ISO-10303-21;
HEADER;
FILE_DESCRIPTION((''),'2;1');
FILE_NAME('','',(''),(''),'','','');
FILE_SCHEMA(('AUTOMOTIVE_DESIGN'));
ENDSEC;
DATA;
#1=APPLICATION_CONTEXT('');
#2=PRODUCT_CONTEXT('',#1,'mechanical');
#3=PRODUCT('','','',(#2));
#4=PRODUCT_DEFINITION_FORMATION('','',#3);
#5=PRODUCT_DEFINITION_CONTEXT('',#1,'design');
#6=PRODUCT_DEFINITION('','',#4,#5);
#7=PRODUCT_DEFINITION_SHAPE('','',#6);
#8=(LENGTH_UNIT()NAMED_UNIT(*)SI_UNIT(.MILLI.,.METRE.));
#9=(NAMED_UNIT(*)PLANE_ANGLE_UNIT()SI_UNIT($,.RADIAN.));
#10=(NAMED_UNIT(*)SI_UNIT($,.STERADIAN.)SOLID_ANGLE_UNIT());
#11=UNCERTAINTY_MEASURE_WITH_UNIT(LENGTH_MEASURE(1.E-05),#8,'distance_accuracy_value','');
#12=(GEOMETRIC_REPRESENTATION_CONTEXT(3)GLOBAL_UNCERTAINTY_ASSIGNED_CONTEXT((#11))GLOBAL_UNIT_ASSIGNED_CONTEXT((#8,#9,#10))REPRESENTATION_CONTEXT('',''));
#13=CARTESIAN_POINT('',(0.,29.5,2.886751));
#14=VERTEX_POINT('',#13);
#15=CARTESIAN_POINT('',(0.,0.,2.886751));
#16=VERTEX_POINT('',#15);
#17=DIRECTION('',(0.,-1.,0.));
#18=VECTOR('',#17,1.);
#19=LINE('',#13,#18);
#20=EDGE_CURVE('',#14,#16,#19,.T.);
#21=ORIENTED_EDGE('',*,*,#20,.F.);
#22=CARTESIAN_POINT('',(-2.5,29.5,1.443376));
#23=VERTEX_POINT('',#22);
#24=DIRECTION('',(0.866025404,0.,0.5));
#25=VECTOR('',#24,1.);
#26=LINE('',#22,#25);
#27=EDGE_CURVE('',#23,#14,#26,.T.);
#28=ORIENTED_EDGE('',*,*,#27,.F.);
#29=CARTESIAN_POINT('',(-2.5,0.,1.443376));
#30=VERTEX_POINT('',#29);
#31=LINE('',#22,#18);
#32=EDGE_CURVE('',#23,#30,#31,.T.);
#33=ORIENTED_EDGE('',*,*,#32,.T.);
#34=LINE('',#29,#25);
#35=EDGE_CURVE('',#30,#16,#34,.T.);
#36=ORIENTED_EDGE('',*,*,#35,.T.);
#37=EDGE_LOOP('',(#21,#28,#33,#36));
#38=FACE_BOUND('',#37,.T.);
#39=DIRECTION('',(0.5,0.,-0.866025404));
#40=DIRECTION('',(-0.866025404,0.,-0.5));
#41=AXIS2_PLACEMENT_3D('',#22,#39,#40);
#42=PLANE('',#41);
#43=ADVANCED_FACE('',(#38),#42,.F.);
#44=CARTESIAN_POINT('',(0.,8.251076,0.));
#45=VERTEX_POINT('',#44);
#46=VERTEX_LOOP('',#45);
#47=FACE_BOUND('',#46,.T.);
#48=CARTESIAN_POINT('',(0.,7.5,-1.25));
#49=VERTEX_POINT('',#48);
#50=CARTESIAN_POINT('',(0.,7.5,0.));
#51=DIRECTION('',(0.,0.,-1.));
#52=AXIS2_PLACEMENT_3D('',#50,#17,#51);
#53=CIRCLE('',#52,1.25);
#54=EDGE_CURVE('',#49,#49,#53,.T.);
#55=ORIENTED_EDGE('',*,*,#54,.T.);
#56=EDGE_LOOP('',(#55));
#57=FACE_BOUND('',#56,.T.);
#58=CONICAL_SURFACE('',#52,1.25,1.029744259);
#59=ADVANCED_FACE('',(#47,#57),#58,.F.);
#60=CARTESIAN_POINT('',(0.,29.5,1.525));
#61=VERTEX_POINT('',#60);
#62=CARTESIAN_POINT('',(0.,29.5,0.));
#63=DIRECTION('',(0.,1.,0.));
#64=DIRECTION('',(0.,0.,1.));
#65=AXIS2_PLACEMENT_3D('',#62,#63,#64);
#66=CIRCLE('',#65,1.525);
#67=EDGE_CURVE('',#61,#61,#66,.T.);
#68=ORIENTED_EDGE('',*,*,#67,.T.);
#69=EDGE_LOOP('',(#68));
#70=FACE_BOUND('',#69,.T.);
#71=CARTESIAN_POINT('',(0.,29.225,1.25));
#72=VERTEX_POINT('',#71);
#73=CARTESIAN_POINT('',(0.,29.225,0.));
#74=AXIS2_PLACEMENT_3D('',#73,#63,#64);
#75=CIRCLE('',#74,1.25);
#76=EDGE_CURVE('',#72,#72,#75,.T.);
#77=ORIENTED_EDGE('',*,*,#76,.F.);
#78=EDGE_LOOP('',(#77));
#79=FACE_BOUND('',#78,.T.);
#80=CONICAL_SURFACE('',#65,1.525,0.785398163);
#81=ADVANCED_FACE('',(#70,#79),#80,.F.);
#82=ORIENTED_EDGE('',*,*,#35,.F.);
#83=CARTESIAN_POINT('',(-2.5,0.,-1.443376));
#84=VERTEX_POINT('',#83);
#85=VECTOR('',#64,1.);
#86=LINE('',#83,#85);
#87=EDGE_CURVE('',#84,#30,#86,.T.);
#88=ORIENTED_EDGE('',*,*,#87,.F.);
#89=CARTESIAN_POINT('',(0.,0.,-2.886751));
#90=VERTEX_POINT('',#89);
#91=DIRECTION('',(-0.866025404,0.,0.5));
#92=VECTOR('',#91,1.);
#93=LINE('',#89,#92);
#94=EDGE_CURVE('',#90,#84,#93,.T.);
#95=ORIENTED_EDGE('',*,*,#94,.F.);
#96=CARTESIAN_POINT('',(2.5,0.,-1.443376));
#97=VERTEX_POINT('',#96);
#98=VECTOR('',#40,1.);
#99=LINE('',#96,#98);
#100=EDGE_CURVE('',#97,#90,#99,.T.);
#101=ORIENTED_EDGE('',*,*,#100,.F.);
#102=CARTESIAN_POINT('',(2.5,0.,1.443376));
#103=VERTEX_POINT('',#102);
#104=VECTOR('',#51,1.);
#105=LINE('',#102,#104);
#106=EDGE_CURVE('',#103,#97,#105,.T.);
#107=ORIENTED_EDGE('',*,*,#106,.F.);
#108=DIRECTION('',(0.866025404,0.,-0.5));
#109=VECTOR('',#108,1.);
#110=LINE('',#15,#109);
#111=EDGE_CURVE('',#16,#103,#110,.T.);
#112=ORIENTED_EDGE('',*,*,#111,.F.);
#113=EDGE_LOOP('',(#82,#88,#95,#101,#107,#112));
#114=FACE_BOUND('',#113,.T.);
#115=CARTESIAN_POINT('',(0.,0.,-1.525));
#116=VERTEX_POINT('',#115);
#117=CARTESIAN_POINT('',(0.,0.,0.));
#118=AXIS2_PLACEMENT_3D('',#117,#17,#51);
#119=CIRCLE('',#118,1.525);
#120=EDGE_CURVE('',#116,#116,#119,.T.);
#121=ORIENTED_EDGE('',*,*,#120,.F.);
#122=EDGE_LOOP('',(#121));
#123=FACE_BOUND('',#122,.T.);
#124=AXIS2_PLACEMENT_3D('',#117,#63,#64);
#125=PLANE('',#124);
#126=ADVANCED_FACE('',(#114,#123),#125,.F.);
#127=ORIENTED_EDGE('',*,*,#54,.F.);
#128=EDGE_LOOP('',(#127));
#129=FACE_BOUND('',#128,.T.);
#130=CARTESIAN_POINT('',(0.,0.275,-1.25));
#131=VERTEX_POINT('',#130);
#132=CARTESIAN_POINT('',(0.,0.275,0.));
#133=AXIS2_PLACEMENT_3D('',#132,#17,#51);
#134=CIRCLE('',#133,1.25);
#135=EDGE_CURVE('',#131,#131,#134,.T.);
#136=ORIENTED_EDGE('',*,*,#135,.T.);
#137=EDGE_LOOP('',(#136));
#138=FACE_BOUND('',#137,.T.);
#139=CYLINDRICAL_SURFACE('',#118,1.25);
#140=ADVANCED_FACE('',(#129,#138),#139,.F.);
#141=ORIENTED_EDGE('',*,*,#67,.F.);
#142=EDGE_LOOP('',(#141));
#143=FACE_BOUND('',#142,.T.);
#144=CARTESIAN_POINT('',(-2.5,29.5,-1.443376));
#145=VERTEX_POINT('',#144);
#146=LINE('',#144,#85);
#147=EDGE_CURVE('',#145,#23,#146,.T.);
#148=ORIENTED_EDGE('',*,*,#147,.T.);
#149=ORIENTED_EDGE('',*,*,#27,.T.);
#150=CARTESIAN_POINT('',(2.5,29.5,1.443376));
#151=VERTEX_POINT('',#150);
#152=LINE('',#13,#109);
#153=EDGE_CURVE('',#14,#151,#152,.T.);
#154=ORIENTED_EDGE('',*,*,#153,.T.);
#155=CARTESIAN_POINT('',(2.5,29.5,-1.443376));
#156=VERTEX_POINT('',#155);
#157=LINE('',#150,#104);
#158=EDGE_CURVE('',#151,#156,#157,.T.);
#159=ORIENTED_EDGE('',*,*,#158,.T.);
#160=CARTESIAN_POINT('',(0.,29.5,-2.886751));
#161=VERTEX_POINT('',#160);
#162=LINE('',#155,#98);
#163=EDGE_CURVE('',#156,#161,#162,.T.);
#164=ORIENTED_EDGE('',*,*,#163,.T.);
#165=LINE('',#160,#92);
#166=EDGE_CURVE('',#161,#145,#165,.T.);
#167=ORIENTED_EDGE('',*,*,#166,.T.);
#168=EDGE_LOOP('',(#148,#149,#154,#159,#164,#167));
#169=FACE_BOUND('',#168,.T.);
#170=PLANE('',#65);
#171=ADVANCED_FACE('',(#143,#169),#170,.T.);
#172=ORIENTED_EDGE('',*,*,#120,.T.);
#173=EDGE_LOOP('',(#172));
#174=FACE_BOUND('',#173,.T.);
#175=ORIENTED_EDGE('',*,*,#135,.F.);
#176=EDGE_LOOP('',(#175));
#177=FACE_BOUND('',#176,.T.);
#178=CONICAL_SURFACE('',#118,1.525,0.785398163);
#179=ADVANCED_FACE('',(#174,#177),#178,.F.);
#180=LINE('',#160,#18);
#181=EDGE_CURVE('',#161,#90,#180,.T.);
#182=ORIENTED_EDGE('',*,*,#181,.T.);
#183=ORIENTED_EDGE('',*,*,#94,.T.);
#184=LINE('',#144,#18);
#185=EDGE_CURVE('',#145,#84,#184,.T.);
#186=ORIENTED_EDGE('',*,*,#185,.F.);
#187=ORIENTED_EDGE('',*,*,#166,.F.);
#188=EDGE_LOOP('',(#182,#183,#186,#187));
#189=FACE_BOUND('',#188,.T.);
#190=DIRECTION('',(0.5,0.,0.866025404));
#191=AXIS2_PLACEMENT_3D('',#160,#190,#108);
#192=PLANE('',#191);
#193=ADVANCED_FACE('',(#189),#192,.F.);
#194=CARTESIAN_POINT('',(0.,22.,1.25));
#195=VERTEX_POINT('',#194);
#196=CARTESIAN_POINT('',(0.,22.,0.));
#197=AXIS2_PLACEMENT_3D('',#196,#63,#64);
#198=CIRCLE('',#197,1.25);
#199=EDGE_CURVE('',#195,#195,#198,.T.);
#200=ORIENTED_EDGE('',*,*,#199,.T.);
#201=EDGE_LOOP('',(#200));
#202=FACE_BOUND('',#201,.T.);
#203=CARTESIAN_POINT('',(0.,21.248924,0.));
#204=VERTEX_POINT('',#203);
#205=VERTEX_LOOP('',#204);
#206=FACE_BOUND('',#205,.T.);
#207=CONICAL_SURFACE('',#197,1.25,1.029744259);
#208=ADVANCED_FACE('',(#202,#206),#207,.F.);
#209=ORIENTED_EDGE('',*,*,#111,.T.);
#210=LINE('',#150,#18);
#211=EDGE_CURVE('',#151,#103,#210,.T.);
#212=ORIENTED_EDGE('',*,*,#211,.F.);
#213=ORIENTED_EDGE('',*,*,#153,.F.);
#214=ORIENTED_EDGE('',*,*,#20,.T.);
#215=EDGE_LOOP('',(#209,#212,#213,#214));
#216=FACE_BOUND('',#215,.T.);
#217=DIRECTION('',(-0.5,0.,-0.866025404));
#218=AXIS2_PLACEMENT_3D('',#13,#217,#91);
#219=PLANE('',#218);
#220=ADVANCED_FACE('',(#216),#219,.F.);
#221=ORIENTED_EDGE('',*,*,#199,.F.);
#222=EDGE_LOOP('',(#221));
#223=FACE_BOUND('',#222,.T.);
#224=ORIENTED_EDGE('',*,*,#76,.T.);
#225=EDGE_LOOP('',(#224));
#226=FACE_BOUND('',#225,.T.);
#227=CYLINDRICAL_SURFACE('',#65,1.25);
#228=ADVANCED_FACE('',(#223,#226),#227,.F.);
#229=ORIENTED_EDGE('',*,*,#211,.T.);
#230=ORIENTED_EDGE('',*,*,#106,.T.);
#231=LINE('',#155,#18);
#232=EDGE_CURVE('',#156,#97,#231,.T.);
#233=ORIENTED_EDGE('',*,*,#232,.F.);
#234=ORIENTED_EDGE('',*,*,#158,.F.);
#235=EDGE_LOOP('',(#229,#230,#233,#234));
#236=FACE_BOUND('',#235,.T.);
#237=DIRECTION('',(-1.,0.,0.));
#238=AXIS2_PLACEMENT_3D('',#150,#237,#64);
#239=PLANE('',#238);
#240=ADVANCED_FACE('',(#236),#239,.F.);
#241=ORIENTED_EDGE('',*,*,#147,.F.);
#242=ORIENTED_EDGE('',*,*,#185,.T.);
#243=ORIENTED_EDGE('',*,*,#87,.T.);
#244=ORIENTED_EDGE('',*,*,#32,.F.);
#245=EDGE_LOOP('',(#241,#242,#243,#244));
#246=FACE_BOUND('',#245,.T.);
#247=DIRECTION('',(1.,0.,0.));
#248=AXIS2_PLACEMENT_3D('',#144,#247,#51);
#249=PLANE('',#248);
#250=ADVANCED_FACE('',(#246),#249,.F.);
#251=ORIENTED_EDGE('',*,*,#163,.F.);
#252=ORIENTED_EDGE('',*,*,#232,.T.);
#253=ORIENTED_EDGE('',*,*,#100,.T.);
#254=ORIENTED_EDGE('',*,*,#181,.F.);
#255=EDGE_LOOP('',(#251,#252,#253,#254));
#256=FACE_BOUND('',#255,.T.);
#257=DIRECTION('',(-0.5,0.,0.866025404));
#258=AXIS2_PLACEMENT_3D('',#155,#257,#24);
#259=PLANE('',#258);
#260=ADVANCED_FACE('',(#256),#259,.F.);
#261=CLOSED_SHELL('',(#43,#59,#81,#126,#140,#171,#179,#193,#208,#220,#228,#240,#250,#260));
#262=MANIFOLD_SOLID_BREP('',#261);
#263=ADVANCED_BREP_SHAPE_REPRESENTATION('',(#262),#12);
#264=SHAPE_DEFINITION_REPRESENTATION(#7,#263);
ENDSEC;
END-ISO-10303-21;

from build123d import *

# Parameters (mm, degrees)
BOSS_EXTRUDE1_DEPTH         = 29.5
M3_TAPPED_HOLE1_D           = 2.5
M3_TAPPED_HOLE1_DEPTH       = 7.5
M3_TAPPED_HOLE1_CSINK_D     = 3.05
M3_TAPPED_HOLE1_CSINK_ANGLE = 90
M3_TAPPED_HOLE1_TIP         = 0.751075774
M3_TAPPED_HOLE2_D           = 2.5
M3_TAPPED_HOLE2_DEPTH       = 7.5
M3_TAPPED_HOLE2_CSINK_D     = 3.05
M3_TAPPED_HOLE2_CSINK_ANGLE = 90
M3_TAPPED_HOLE2_TIP         = 0.751075774


with BuildPart() as part:
    # Sketch1 → Boss-Extrude1 (new body)
    with BuildSketch(Plane(origin=(0, 0, 0), x_dir=(1, 0, 0), z_dir=(0, 1, 0))):
        Polygon((-2.5, 1.443375673), (-2.5, -1.443375673), (0, -2.886751346), (2.5, -1.443375673), (2.5, 1.443375673), (0, 2.886751346), align=None)
    extrude(amount=BOSS_EXTRUDE1_DEPTH)

    # M3 Tapped Hole1
    with Locations(Plane(origin=(0, 29.5, 0), x_dir=(1, 0, 0), z_dir=(0, 1, 0))):
        with Locations((0, 0)):
            CounterSinkHole(M3_TAPPED_HOLE1_D / 2, M3_TAPPED_HOLE1_CSINK_D / 2, depth=M3_TAPPED_HOLE1_DEPTH, counter_sink_angle=M3_TAPPED_HOLE1_CSINK_ANGLE)
            with Locations((0, 0, -(M3_TAPPED_HOLE1_DEPTH + M3_TAPPED_HOLE1_TIP / 2))):  # 118° drill point
                Cone(0, M3_TAPPED_HOLE1_D / 2, M3_TAPPED_HOLE1_TIP, mode=Mode.SUBTRACT)

    # M3 Tapped Hole2
    with Locations(Plane(origin=(0, 0, 0), x_dir=(-1, 0, 0), z_dir=(0, -1, 0))):
        with Locations((0, 0)):
            CounterSinkHole(M3_TAPPED_HOLE2_D / 2, M3_TAPPED_HOLE2_CSINK_D / 2, depth=M3_TAPPED_HOLE2_DEPTH, counter_sink_angle=M3_TAPPED_HOLE2_CSINK_ANGLE)
            with Locations((0, 0, -(M3_TAPPED_HOLE2_DEPTH + M3_TAPPED_HOLE2_TIP / 2))):  # 118° drill point
                Cone(0, M3_TAPPED_HOLE2_D / 2, M3_TAPPED_HOLE2_TIP, mode=Mode.SUBTRACT)


solid = part.part
